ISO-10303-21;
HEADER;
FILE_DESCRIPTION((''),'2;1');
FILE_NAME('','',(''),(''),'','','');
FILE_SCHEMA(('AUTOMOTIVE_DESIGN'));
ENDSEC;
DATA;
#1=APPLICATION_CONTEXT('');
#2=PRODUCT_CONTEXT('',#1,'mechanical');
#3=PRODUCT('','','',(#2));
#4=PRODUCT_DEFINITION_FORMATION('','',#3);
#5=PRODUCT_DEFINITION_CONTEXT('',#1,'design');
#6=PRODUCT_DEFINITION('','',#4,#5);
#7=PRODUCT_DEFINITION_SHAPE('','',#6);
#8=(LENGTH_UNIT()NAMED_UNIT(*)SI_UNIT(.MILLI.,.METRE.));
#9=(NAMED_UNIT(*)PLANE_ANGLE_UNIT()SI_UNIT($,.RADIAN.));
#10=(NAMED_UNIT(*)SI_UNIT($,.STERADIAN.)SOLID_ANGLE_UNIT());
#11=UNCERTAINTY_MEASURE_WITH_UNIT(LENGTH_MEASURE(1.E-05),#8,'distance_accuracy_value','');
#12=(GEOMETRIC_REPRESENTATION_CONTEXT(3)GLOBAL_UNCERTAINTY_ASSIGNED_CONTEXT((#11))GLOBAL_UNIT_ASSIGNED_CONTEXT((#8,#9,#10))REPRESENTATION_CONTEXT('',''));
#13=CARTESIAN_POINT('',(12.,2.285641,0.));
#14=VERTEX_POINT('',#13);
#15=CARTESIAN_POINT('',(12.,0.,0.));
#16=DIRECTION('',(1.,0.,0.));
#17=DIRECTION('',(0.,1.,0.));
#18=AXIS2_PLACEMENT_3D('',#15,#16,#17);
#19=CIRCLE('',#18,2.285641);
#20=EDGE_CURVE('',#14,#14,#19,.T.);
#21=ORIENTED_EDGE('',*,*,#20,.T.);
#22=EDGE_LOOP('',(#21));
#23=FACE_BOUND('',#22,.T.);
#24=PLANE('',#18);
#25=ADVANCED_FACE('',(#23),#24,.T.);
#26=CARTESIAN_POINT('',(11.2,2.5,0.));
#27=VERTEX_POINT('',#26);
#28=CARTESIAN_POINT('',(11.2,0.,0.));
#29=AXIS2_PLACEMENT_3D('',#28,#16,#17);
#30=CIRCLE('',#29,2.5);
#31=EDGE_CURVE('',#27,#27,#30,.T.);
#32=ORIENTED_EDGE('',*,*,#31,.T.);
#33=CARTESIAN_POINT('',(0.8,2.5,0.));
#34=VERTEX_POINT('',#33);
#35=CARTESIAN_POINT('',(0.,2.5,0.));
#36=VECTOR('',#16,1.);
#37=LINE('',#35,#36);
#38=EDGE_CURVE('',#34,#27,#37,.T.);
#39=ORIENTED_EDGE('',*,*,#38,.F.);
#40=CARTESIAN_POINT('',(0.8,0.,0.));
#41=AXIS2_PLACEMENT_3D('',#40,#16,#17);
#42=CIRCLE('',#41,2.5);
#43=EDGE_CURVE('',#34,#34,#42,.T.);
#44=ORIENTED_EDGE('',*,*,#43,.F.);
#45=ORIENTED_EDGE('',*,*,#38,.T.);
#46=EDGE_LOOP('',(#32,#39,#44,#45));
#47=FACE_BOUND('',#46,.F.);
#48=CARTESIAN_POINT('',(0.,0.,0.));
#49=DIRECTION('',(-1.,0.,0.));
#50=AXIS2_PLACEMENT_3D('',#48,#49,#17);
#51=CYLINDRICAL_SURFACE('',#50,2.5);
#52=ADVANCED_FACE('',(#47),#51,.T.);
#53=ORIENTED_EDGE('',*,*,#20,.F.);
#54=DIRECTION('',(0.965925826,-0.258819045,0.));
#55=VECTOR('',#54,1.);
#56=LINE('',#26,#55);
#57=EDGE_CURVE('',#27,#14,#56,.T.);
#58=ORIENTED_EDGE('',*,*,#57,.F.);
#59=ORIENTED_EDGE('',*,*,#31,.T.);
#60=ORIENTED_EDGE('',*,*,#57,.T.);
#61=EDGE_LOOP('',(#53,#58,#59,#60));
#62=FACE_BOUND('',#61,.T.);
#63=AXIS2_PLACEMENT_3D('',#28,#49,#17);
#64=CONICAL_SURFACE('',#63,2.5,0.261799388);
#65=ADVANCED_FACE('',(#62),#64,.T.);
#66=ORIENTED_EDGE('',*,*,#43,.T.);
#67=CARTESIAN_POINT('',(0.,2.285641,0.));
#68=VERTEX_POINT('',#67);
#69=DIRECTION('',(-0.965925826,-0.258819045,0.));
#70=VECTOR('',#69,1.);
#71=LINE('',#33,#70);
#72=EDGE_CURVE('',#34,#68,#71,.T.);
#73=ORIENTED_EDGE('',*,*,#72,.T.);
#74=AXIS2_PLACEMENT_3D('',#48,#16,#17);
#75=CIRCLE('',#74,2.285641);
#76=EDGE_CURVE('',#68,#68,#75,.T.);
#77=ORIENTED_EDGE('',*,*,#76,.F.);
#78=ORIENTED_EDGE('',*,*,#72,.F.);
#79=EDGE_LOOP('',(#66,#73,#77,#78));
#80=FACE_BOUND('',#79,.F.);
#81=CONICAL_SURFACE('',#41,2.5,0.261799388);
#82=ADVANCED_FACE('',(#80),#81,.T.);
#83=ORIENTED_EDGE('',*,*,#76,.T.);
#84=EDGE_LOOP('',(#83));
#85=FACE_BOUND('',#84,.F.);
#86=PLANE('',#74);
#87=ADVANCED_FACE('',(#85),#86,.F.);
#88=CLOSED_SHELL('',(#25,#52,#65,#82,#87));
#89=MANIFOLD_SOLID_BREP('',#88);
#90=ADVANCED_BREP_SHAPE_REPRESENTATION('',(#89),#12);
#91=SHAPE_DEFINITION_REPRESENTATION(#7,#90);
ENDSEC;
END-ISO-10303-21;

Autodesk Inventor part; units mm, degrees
ref_plane "YZ Plane" through (0, 0, 0) normal (1, 0, 0) x (0, 1, 0)
ref_plane "XZ Plane" through (0, 0, 0) normal (0, 1, 0) x (-1, 0, 0)
ref_plane "XY Plane" through (0, 0, 0) normal (0, 0, 1) x (1, 0, 0)
sketch "Skizze" plane through (0, 0, 0) normal (1, 0, 0) x (0, 1, 0)
  circle A0 centre (0, 0) radius 2.5
  dimension "d1" = 5
extrude "Körper" add sketch "Skizze" along normal blind 12
chamfer "Fase1" distance 0.8 angle 15 1 edges at (0, -2.5, 0) measured on face at (8, 2.4676, -0.401)
chamfer "Fase2" distance 0.8 angle 15 1 edges at (12, -2.5, 0) measured on face at (8.2667, 2.4919, -0.2012)
equation "\"d1\" = NND"
equation "\"d2\" = NLG"
equation "\"d4\" = PHH"
equation "\"d5\" = FAWI"
equation "\"d11\" = PHH"
equation "\"d8\" = PHH"
equation "\"d9\" = FAWI"
equation "\"d12\" = PHH"
equation "\"NND\" = 5"
equation "\"NLG\" = 12"
equation "\"PHH\" = 0.8"
equation "\"FAWI\" = 15deg"
equation "\"KAH\" = 0"
properties part number "ISO 2338 - 5 h8 x 12" material "Edelstahl, austenitisch"
